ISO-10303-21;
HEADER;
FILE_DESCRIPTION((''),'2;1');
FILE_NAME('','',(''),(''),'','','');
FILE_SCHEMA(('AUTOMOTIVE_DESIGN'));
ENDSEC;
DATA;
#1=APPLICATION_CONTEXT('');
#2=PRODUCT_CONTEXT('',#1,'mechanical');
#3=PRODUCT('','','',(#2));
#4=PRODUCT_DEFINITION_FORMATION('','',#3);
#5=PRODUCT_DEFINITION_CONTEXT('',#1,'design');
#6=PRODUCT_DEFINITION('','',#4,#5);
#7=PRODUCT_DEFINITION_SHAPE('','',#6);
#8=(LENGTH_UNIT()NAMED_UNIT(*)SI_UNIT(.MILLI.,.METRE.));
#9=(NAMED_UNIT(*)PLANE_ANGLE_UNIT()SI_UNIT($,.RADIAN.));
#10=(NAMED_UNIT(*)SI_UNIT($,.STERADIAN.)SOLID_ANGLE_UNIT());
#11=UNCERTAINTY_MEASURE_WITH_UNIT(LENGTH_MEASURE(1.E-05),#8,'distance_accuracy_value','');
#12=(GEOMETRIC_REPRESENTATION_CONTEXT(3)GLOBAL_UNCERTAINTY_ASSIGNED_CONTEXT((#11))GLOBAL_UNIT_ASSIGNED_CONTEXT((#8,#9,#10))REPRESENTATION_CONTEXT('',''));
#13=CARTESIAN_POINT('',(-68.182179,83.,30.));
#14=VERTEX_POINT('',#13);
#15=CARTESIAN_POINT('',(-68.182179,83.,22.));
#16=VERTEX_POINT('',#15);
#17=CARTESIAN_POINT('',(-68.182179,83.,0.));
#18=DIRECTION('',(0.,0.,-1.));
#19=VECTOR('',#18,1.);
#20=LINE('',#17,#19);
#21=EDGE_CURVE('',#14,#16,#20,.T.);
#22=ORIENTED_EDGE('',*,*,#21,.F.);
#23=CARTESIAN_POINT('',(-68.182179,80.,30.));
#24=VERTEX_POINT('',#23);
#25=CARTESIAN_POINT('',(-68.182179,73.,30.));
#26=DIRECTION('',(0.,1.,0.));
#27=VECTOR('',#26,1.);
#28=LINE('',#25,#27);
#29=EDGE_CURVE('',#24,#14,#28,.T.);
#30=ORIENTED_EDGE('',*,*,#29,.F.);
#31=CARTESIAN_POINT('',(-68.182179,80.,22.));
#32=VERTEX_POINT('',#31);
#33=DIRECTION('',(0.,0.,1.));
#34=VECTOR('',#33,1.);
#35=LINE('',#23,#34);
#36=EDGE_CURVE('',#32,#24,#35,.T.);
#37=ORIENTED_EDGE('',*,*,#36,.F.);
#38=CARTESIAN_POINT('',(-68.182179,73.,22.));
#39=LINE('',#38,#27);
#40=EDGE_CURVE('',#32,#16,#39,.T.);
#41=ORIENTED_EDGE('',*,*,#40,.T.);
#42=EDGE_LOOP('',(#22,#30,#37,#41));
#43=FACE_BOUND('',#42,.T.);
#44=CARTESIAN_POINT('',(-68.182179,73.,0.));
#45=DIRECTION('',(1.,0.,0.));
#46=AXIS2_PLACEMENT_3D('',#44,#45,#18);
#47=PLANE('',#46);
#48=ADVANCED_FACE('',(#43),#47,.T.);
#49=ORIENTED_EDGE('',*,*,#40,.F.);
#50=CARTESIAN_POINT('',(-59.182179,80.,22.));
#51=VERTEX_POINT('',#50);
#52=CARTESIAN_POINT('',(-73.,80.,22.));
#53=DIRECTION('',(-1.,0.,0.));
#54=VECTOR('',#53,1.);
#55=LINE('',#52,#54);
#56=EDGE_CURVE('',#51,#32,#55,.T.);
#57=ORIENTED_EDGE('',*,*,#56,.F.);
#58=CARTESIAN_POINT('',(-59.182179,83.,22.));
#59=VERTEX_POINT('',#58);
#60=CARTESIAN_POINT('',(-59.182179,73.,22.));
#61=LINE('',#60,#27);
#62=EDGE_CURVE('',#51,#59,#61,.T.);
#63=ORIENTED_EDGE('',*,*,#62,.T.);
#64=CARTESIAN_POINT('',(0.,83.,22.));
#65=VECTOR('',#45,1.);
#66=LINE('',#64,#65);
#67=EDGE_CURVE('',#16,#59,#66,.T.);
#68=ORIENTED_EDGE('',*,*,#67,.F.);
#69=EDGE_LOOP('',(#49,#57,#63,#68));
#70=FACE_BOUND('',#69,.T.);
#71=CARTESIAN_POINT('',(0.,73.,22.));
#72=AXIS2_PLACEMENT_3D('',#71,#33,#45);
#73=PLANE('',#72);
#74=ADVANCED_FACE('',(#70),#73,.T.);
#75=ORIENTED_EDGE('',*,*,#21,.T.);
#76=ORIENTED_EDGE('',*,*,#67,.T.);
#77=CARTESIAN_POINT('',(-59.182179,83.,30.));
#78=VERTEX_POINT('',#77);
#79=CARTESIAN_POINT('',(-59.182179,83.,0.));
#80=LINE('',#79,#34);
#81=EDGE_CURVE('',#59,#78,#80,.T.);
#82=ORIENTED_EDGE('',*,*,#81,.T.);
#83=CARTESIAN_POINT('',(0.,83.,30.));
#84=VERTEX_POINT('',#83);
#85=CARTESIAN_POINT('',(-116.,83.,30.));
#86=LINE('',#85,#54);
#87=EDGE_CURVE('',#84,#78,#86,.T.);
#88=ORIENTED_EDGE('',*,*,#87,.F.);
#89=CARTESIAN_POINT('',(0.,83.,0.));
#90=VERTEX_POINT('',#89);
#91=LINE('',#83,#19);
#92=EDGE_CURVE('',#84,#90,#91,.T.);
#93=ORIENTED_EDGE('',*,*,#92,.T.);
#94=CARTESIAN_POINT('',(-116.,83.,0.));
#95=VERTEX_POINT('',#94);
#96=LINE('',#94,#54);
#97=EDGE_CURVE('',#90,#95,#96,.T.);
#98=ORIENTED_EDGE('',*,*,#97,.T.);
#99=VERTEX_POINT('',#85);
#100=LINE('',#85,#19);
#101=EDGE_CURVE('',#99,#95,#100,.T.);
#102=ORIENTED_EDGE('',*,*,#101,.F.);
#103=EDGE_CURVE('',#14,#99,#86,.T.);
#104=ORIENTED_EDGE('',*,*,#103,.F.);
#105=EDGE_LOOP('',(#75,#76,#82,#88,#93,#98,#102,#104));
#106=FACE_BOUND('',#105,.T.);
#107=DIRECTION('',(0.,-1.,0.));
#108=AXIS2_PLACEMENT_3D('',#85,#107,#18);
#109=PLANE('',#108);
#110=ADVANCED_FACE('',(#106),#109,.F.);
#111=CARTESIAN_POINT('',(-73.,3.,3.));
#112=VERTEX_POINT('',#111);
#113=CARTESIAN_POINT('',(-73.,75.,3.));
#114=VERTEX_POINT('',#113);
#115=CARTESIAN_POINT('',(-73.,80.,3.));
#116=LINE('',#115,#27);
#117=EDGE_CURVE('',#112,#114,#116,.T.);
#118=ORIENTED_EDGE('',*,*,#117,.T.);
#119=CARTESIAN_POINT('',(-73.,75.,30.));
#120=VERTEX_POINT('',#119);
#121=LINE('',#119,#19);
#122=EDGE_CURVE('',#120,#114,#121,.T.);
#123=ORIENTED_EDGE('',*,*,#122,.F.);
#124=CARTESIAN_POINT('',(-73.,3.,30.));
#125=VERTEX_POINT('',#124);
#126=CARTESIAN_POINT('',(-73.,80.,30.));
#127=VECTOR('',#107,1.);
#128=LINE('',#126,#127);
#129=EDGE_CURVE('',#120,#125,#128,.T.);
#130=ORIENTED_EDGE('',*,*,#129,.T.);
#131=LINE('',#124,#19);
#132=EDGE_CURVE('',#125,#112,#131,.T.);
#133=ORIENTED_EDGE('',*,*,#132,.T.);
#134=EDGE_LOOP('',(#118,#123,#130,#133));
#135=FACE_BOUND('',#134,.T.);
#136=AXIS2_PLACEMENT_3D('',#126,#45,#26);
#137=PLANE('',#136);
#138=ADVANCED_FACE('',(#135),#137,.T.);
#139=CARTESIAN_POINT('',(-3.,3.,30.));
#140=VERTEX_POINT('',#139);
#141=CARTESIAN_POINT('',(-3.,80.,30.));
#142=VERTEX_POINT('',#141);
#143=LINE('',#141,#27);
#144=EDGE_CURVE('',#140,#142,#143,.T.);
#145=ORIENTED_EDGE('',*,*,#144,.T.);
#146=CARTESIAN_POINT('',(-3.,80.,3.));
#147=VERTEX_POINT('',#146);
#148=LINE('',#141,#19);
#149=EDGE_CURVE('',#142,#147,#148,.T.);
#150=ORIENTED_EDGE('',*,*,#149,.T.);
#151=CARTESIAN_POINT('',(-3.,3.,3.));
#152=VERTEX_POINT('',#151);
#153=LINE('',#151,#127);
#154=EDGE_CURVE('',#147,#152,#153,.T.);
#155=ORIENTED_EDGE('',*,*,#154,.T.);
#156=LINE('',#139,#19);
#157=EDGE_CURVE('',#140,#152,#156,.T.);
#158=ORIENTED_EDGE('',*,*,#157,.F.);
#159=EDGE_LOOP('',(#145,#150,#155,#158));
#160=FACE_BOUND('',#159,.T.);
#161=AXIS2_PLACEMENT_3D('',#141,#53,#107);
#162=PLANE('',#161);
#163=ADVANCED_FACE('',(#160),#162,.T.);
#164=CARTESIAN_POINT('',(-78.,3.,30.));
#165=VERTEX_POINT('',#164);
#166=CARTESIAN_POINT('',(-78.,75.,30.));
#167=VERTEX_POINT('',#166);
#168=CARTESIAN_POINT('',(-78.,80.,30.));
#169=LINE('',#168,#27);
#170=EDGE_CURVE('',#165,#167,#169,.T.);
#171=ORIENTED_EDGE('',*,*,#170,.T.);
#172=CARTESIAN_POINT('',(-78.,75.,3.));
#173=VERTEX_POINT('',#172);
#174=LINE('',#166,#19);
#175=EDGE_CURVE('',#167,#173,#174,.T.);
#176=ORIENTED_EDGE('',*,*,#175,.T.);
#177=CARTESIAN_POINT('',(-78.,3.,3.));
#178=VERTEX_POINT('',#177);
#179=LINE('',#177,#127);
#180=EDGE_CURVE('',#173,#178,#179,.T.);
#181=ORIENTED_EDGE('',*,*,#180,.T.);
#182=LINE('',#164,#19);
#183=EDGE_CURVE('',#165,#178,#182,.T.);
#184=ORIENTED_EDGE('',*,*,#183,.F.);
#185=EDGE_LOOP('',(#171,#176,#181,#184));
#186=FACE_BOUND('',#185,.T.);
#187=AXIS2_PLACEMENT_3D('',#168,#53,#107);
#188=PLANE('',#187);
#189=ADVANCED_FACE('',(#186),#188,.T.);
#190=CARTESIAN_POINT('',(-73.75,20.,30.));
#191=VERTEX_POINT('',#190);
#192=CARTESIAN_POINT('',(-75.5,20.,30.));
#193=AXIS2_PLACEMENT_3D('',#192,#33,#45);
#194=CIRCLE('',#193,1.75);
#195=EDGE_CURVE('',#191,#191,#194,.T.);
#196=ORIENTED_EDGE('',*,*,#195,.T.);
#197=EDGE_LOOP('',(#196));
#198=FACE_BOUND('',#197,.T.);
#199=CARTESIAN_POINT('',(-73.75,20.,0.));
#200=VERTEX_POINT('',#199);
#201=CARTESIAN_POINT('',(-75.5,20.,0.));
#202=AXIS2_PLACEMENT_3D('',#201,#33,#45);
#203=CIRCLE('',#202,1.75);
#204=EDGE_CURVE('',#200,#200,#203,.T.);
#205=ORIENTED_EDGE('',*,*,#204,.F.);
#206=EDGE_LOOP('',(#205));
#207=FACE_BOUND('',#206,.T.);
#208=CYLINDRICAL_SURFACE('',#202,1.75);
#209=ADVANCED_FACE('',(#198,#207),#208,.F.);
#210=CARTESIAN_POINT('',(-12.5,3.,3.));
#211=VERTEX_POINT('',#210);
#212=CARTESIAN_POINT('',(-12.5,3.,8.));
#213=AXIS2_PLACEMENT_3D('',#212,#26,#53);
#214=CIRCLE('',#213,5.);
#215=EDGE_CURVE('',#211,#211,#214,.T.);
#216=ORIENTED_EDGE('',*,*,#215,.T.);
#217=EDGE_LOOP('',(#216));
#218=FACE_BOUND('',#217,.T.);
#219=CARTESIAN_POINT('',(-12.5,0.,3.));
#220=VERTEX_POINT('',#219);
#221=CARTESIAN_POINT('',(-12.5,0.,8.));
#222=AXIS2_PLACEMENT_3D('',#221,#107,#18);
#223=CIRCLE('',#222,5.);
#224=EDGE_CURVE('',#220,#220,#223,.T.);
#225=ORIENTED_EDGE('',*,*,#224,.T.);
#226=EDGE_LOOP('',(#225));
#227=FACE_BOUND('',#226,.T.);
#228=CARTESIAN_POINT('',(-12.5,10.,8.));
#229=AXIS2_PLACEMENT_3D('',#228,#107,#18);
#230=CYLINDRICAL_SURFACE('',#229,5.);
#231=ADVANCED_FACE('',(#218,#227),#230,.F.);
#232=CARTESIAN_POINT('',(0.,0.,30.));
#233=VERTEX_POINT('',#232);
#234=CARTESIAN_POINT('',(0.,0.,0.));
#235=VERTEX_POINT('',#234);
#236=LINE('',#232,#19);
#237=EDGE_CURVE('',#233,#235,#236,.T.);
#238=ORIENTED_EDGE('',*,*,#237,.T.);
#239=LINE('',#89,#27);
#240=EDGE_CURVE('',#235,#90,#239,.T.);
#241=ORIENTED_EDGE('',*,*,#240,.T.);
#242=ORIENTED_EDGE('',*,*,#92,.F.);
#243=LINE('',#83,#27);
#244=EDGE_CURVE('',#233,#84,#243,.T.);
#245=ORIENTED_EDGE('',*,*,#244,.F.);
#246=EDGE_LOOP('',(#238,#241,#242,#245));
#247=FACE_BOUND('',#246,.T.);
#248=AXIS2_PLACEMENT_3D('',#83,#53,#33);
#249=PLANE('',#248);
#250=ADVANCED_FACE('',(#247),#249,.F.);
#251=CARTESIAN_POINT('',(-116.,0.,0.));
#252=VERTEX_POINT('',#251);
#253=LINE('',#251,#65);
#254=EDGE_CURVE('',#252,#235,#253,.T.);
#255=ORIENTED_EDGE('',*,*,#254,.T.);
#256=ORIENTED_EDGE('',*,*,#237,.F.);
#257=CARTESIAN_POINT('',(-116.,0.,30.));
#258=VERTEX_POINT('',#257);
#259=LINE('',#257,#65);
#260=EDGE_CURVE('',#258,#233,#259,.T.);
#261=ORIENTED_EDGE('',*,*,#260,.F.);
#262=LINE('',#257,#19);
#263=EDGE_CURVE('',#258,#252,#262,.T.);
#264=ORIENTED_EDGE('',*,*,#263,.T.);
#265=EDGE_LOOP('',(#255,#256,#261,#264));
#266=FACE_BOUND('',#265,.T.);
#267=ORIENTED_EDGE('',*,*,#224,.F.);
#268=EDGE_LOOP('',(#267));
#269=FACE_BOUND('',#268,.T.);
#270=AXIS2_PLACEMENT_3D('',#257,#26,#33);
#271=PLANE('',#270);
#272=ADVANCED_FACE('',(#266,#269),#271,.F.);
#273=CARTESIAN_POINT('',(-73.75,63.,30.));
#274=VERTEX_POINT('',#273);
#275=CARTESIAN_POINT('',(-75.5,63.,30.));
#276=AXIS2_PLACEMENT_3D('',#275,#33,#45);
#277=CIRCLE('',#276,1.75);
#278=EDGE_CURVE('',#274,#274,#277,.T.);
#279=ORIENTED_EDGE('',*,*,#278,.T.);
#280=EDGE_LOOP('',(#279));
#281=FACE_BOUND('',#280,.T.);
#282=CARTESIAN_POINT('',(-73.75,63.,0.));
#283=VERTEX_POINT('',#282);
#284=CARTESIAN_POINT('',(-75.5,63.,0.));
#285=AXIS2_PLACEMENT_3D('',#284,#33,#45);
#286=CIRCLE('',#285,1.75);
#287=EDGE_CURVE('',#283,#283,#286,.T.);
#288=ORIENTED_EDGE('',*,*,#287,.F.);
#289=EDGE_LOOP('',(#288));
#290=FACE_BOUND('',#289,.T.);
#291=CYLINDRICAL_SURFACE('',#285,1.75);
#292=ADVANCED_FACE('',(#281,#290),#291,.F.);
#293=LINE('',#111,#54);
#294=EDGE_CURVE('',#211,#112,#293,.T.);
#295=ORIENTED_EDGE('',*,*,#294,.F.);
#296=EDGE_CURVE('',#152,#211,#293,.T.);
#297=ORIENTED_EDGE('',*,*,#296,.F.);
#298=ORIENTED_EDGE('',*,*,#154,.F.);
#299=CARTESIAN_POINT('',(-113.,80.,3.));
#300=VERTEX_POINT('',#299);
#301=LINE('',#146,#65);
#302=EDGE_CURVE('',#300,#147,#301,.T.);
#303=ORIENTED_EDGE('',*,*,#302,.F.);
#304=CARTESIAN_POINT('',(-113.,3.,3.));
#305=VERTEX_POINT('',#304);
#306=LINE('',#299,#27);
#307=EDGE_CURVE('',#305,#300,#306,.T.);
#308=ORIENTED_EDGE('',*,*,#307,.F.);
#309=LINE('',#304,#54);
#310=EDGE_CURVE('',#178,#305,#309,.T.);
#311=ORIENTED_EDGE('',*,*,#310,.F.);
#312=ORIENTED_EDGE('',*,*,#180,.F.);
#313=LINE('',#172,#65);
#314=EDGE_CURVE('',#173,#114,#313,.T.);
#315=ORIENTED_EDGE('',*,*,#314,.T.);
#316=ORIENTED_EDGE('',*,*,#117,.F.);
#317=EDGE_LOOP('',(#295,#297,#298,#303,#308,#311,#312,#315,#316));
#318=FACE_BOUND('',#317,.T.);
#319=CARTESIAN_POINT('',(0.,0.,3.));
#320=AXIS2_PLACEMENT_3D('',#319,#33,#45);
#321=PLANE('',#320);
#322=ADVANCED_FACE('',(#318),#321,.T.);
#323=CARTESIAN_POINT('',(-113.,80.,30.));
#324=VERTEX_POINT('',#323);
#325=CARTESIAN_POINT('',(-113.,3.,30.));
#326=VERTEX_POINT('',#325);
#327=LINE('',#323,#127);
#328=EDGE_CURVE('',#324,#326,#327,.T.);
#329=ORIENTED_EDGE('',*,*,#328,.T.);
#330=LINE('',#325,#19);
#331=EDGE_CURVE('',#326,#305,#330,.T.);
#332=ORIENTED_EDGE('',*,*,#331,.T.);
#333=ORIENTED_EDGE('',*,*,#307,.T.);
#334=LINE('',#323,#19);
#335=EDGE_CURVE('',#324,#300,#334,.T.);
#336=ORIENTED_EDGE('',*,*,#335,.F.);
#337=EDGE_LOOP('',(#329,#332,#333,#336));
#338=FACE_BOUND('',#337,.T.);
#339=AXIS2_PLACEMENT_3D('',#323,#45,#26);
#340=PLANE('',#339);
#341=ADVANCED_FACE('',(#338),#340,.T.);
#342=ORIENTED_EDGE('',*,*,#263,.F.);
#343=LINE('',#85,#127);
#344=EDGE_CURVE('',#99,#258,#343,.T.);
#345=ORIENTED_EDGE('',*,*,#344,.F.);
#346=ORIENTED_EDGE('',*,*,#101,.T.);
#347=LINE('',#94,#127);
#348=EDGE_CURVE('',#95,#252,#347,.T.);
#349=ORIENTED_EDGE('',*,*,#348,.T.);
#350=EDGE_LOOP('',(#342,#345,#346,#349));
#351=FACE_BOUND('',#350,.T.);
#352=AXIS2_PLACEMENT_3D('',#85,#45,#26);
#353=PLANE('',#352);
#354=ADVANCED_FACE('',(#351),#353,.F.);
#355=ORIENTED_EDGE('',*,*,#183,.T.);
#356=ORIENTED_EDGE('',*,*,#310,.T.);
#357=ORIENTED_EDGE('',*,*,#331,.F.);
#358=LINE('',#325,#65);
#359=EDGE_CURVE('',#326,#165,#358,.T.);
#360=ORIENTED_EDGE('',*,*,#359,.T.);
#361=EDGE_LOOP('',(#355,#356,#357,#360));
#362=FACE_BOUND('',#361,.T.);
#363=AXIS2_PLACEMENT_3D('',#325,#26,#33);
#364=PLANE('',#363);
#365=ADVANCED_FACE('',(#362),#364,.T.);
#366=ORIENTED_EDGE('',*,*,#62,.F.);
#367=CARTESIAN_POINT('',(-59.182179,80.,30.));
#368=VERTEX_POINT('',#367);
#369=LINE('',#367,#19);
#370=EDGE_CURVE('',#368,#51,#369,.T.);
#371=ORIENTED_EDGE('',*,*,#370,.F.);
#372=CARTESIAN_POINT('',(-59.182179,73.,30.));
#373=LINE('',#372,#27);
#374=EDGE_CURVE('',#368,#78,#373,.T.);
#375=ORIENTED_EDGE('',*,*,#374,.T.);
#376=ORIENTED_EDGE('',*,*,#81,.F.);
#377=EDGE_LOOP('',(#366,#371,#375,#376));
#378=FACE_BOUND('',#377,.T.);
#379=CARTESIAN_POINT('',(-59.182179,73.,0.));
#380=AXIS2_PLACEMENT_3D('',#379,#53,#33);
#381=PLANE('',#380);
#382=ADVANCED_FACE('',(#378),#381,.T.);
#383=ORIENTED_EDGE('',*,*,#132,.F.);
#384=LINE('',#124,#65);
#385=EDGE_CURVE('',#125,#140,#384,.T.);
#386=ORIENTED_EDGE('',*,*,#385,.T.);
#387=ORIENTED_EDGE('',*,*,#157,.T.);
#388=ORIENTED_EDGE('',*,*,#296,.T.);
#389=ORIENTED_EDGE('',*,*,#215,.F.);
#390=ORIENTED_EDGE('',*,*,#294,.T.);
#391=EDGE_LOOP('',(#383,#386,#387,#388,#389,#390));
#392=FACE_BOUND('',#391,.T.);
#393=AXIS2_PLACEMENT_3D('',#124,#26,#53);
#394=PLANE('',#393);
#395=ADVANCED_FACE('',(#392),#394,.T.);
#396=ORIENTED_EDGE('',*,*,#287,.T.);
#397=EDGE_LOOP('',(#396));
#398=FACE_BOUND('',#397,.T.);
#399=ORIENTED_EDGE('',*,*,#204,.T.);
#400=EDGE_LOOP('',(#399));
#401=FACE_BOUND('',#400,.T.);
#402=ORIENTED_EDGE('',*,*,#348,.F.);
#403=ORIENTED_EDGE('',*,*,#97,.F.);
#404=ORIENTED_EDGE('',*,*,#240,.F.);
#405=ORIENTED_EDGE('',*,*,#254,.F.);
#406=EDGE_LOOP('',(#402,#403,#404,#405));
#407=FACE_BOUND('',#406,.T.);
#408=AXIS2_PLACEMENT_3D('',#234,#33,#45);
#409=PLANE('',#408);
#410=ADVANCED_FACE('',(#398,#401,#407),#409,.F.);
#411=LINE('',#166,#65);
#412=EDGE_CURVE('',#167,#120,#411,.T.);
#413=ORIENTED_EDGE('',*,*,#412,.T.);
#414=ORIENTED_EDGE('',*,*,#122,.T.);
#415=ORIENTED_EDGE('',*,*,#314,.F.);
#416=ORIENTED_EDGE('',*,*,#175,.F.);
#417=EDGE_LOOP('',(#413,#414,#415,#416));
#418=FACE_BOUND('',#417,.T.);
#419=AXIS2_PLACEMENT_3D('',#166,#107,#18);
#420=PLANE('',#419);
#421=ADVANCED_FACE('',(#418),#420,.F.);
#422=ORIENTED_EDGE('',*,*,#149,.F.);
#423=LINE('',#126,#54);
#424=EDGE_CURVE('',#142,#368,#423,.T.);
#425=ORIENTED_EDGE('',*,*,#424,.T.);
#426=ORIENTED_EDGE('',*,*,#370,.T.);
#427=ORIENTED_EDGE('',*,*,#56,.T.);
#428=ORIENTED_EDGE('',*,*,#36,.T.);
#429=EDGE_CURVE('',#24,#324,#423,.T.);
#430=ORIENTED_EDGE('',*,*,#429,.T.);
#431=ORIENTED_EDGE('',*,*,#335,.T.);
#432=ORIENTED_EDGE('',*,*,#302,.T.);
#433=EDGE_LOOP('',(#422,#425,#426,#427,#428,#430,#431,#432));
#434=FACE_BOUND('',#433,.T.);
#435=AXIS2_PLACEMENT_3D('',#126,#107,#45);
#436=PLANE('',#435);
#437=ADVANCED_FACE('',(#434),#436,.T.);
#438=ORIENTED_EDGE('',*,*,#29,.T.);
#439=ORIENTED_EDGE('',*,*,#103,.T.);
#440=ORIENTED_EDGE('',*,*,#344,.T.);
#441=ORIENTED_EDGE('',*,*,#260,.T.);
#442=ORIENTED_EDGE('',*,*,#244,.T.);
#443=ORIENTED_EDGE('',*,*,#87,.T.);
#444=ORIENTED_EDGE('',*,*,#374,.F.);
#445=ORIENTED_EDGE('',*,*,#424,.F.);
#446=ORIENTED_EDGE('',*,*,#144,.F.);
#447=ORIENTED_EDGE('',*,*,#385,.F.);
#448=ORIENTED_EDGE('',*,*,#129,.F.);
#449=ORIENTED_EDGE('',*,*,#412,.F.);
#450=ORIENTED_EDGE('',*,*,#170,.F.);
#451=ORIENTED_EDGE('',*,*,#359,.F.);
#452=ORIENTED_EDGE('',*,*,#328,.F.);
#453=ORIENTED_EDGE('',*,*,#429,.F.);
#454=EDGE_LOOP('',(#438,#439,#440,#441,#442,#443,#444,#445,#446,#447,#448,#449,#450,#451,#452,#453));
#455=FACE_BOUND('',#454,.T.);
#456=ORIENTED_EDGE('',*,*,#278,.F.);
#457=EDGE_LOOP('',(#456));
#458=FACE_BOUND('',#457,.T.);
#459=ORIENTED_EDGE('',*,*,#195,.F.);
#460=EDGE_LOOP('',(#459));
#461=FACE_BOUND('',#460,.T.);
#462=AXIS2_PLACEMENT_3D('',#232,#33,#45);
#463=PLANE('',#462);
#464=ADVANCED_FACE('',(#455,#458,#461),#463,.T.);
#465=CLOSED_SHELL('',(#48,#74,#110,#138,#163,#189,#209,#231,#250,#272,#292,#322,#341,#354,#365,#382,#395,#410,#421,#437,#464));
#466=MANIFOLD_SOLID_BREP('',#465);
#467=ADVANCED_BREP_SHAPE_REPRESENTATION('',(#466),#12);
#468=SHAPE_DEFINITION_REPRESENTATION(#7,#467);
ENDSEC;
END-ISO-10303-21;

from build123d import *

# Parameters (mm, degrees)
SKETCH1_W           = 116
SKETCH1_H           = 83
SKETCH1_W_2         = 70
SKETCH1_H_2         = 77
SKETCH1_W_3         = 35
BOSS_EXTRUDE1_DEPTH = 30
SKETCH2_W           = 70
SKETCH2_H           = 77
SKETCH2_W_2         = 35
BOSS_EXTRUDE2_DEPTH = 3
SKETCH3_W           = 27
SKETCH3_H           = 5
CUT_EXTRUDE1_DEPTH  = 5
SKETCH5_R           = 5
CUT_EXTRUDE3_DEPTH  = 10
SKETCH6_R           = 1.75
CUT_EXTRUDE4_DEPTH  = 30
SKETCH7_W           = 9
SKETCH7_H           = 8
CUT_EXTRUDE5_DEPTH  = 10


with BuildPart() as part:
    # Sketch1 → Boss-Extrude1 (new body)
    with BuildSketch(Plane.XY):
        with Locations((-58, 41.5)):
            Rectangle(SKETCH1_W, SKETCH1_H)
        with Locations((-38, 41.5)):
            Rectangle(SKETCH1_W_2, SKETCH1_H_2, mode=Mode.SUBTRACT)
        with Locations((-95.5, 41.5)):
            Rectangle(SKETCH1_W_3, SKETCH1_H_2, mode=Mode.SUBTRACT)
    extrude(amount=BOSS_EXTRUDE1_DEPTH)

    # Sketch2 → Boss-Extrude2 (add)
    with BuildSketch(Plane(origin=(0, 0, 0), x_dir=(-1, 0, 0), z_dir=(0, 0, -1))):
        with Locations((38, 41.5)):
            Rectangle(SKETCH2_W, SKETCH2_H)
        with Locations((95.5, 41.5)):
            Rectangle(SKETCH2_W_2, SKETCH2_H)
    extrude(amount=-BOSS_EXTRUDE2_DEPTH)

    # Sketch3 → Cut-Extrude1 (cut)
    with BuildSketch(Plane(origin=(-73, 0, 0), x_dir=(0, 0, -1), z_dir=(1, 0, 0))):
        with Locations((-16.5, 77.5)):
            Rectangle(SKETCH3_W, SKETCH3_H)
    extrude(amount=-CUT_EXTRUDE1_DEPTH, mode=Mode.SUBTRACT)

    # Sketch5 → Cut-Extrude3 (cut)
    with BuildSketch(Plane(origin=(0, 0, 0), x_dir=(-1, 0, 0), z_dir=(0, -1, 0))):
        with Locations((12.5, -8)):
            Circle(SKETCH5_R)
    extrude(amount=-CUT_EXTRUDE3_DEPTH, mode=Mode.SUBTRACT)

    # Sketch6 → Cut-Extrude4 (cut)
    with BuildSketch(Plane.XY.offset(30)):
        with Locations((-75.5, 63)):
            Circle(SKETCH6_R)
        with Locations((-75.5, 20)):
            Circle(SKETCH6_R)
    extrude(amount=-CUT_EXTRUDE4_DEPTH, mode=Mode.SUBTRACT)

    # Sketch7 → Cut-Extrude5 (cut)
    with BuildSketch(Plane(origin=(0, 83, 0), x_dir=(1, 0, 0), z_dir=(0, 1, 0))):
        with Locations((-63.682179336, -26)):
            Rectangle(SKETCH7_W, SKETCH7_H)
    extrude(amount=-CUT_EXTRUDE5_DEPTH, mode=Mode.SUBTRACT)


solid = part.part
